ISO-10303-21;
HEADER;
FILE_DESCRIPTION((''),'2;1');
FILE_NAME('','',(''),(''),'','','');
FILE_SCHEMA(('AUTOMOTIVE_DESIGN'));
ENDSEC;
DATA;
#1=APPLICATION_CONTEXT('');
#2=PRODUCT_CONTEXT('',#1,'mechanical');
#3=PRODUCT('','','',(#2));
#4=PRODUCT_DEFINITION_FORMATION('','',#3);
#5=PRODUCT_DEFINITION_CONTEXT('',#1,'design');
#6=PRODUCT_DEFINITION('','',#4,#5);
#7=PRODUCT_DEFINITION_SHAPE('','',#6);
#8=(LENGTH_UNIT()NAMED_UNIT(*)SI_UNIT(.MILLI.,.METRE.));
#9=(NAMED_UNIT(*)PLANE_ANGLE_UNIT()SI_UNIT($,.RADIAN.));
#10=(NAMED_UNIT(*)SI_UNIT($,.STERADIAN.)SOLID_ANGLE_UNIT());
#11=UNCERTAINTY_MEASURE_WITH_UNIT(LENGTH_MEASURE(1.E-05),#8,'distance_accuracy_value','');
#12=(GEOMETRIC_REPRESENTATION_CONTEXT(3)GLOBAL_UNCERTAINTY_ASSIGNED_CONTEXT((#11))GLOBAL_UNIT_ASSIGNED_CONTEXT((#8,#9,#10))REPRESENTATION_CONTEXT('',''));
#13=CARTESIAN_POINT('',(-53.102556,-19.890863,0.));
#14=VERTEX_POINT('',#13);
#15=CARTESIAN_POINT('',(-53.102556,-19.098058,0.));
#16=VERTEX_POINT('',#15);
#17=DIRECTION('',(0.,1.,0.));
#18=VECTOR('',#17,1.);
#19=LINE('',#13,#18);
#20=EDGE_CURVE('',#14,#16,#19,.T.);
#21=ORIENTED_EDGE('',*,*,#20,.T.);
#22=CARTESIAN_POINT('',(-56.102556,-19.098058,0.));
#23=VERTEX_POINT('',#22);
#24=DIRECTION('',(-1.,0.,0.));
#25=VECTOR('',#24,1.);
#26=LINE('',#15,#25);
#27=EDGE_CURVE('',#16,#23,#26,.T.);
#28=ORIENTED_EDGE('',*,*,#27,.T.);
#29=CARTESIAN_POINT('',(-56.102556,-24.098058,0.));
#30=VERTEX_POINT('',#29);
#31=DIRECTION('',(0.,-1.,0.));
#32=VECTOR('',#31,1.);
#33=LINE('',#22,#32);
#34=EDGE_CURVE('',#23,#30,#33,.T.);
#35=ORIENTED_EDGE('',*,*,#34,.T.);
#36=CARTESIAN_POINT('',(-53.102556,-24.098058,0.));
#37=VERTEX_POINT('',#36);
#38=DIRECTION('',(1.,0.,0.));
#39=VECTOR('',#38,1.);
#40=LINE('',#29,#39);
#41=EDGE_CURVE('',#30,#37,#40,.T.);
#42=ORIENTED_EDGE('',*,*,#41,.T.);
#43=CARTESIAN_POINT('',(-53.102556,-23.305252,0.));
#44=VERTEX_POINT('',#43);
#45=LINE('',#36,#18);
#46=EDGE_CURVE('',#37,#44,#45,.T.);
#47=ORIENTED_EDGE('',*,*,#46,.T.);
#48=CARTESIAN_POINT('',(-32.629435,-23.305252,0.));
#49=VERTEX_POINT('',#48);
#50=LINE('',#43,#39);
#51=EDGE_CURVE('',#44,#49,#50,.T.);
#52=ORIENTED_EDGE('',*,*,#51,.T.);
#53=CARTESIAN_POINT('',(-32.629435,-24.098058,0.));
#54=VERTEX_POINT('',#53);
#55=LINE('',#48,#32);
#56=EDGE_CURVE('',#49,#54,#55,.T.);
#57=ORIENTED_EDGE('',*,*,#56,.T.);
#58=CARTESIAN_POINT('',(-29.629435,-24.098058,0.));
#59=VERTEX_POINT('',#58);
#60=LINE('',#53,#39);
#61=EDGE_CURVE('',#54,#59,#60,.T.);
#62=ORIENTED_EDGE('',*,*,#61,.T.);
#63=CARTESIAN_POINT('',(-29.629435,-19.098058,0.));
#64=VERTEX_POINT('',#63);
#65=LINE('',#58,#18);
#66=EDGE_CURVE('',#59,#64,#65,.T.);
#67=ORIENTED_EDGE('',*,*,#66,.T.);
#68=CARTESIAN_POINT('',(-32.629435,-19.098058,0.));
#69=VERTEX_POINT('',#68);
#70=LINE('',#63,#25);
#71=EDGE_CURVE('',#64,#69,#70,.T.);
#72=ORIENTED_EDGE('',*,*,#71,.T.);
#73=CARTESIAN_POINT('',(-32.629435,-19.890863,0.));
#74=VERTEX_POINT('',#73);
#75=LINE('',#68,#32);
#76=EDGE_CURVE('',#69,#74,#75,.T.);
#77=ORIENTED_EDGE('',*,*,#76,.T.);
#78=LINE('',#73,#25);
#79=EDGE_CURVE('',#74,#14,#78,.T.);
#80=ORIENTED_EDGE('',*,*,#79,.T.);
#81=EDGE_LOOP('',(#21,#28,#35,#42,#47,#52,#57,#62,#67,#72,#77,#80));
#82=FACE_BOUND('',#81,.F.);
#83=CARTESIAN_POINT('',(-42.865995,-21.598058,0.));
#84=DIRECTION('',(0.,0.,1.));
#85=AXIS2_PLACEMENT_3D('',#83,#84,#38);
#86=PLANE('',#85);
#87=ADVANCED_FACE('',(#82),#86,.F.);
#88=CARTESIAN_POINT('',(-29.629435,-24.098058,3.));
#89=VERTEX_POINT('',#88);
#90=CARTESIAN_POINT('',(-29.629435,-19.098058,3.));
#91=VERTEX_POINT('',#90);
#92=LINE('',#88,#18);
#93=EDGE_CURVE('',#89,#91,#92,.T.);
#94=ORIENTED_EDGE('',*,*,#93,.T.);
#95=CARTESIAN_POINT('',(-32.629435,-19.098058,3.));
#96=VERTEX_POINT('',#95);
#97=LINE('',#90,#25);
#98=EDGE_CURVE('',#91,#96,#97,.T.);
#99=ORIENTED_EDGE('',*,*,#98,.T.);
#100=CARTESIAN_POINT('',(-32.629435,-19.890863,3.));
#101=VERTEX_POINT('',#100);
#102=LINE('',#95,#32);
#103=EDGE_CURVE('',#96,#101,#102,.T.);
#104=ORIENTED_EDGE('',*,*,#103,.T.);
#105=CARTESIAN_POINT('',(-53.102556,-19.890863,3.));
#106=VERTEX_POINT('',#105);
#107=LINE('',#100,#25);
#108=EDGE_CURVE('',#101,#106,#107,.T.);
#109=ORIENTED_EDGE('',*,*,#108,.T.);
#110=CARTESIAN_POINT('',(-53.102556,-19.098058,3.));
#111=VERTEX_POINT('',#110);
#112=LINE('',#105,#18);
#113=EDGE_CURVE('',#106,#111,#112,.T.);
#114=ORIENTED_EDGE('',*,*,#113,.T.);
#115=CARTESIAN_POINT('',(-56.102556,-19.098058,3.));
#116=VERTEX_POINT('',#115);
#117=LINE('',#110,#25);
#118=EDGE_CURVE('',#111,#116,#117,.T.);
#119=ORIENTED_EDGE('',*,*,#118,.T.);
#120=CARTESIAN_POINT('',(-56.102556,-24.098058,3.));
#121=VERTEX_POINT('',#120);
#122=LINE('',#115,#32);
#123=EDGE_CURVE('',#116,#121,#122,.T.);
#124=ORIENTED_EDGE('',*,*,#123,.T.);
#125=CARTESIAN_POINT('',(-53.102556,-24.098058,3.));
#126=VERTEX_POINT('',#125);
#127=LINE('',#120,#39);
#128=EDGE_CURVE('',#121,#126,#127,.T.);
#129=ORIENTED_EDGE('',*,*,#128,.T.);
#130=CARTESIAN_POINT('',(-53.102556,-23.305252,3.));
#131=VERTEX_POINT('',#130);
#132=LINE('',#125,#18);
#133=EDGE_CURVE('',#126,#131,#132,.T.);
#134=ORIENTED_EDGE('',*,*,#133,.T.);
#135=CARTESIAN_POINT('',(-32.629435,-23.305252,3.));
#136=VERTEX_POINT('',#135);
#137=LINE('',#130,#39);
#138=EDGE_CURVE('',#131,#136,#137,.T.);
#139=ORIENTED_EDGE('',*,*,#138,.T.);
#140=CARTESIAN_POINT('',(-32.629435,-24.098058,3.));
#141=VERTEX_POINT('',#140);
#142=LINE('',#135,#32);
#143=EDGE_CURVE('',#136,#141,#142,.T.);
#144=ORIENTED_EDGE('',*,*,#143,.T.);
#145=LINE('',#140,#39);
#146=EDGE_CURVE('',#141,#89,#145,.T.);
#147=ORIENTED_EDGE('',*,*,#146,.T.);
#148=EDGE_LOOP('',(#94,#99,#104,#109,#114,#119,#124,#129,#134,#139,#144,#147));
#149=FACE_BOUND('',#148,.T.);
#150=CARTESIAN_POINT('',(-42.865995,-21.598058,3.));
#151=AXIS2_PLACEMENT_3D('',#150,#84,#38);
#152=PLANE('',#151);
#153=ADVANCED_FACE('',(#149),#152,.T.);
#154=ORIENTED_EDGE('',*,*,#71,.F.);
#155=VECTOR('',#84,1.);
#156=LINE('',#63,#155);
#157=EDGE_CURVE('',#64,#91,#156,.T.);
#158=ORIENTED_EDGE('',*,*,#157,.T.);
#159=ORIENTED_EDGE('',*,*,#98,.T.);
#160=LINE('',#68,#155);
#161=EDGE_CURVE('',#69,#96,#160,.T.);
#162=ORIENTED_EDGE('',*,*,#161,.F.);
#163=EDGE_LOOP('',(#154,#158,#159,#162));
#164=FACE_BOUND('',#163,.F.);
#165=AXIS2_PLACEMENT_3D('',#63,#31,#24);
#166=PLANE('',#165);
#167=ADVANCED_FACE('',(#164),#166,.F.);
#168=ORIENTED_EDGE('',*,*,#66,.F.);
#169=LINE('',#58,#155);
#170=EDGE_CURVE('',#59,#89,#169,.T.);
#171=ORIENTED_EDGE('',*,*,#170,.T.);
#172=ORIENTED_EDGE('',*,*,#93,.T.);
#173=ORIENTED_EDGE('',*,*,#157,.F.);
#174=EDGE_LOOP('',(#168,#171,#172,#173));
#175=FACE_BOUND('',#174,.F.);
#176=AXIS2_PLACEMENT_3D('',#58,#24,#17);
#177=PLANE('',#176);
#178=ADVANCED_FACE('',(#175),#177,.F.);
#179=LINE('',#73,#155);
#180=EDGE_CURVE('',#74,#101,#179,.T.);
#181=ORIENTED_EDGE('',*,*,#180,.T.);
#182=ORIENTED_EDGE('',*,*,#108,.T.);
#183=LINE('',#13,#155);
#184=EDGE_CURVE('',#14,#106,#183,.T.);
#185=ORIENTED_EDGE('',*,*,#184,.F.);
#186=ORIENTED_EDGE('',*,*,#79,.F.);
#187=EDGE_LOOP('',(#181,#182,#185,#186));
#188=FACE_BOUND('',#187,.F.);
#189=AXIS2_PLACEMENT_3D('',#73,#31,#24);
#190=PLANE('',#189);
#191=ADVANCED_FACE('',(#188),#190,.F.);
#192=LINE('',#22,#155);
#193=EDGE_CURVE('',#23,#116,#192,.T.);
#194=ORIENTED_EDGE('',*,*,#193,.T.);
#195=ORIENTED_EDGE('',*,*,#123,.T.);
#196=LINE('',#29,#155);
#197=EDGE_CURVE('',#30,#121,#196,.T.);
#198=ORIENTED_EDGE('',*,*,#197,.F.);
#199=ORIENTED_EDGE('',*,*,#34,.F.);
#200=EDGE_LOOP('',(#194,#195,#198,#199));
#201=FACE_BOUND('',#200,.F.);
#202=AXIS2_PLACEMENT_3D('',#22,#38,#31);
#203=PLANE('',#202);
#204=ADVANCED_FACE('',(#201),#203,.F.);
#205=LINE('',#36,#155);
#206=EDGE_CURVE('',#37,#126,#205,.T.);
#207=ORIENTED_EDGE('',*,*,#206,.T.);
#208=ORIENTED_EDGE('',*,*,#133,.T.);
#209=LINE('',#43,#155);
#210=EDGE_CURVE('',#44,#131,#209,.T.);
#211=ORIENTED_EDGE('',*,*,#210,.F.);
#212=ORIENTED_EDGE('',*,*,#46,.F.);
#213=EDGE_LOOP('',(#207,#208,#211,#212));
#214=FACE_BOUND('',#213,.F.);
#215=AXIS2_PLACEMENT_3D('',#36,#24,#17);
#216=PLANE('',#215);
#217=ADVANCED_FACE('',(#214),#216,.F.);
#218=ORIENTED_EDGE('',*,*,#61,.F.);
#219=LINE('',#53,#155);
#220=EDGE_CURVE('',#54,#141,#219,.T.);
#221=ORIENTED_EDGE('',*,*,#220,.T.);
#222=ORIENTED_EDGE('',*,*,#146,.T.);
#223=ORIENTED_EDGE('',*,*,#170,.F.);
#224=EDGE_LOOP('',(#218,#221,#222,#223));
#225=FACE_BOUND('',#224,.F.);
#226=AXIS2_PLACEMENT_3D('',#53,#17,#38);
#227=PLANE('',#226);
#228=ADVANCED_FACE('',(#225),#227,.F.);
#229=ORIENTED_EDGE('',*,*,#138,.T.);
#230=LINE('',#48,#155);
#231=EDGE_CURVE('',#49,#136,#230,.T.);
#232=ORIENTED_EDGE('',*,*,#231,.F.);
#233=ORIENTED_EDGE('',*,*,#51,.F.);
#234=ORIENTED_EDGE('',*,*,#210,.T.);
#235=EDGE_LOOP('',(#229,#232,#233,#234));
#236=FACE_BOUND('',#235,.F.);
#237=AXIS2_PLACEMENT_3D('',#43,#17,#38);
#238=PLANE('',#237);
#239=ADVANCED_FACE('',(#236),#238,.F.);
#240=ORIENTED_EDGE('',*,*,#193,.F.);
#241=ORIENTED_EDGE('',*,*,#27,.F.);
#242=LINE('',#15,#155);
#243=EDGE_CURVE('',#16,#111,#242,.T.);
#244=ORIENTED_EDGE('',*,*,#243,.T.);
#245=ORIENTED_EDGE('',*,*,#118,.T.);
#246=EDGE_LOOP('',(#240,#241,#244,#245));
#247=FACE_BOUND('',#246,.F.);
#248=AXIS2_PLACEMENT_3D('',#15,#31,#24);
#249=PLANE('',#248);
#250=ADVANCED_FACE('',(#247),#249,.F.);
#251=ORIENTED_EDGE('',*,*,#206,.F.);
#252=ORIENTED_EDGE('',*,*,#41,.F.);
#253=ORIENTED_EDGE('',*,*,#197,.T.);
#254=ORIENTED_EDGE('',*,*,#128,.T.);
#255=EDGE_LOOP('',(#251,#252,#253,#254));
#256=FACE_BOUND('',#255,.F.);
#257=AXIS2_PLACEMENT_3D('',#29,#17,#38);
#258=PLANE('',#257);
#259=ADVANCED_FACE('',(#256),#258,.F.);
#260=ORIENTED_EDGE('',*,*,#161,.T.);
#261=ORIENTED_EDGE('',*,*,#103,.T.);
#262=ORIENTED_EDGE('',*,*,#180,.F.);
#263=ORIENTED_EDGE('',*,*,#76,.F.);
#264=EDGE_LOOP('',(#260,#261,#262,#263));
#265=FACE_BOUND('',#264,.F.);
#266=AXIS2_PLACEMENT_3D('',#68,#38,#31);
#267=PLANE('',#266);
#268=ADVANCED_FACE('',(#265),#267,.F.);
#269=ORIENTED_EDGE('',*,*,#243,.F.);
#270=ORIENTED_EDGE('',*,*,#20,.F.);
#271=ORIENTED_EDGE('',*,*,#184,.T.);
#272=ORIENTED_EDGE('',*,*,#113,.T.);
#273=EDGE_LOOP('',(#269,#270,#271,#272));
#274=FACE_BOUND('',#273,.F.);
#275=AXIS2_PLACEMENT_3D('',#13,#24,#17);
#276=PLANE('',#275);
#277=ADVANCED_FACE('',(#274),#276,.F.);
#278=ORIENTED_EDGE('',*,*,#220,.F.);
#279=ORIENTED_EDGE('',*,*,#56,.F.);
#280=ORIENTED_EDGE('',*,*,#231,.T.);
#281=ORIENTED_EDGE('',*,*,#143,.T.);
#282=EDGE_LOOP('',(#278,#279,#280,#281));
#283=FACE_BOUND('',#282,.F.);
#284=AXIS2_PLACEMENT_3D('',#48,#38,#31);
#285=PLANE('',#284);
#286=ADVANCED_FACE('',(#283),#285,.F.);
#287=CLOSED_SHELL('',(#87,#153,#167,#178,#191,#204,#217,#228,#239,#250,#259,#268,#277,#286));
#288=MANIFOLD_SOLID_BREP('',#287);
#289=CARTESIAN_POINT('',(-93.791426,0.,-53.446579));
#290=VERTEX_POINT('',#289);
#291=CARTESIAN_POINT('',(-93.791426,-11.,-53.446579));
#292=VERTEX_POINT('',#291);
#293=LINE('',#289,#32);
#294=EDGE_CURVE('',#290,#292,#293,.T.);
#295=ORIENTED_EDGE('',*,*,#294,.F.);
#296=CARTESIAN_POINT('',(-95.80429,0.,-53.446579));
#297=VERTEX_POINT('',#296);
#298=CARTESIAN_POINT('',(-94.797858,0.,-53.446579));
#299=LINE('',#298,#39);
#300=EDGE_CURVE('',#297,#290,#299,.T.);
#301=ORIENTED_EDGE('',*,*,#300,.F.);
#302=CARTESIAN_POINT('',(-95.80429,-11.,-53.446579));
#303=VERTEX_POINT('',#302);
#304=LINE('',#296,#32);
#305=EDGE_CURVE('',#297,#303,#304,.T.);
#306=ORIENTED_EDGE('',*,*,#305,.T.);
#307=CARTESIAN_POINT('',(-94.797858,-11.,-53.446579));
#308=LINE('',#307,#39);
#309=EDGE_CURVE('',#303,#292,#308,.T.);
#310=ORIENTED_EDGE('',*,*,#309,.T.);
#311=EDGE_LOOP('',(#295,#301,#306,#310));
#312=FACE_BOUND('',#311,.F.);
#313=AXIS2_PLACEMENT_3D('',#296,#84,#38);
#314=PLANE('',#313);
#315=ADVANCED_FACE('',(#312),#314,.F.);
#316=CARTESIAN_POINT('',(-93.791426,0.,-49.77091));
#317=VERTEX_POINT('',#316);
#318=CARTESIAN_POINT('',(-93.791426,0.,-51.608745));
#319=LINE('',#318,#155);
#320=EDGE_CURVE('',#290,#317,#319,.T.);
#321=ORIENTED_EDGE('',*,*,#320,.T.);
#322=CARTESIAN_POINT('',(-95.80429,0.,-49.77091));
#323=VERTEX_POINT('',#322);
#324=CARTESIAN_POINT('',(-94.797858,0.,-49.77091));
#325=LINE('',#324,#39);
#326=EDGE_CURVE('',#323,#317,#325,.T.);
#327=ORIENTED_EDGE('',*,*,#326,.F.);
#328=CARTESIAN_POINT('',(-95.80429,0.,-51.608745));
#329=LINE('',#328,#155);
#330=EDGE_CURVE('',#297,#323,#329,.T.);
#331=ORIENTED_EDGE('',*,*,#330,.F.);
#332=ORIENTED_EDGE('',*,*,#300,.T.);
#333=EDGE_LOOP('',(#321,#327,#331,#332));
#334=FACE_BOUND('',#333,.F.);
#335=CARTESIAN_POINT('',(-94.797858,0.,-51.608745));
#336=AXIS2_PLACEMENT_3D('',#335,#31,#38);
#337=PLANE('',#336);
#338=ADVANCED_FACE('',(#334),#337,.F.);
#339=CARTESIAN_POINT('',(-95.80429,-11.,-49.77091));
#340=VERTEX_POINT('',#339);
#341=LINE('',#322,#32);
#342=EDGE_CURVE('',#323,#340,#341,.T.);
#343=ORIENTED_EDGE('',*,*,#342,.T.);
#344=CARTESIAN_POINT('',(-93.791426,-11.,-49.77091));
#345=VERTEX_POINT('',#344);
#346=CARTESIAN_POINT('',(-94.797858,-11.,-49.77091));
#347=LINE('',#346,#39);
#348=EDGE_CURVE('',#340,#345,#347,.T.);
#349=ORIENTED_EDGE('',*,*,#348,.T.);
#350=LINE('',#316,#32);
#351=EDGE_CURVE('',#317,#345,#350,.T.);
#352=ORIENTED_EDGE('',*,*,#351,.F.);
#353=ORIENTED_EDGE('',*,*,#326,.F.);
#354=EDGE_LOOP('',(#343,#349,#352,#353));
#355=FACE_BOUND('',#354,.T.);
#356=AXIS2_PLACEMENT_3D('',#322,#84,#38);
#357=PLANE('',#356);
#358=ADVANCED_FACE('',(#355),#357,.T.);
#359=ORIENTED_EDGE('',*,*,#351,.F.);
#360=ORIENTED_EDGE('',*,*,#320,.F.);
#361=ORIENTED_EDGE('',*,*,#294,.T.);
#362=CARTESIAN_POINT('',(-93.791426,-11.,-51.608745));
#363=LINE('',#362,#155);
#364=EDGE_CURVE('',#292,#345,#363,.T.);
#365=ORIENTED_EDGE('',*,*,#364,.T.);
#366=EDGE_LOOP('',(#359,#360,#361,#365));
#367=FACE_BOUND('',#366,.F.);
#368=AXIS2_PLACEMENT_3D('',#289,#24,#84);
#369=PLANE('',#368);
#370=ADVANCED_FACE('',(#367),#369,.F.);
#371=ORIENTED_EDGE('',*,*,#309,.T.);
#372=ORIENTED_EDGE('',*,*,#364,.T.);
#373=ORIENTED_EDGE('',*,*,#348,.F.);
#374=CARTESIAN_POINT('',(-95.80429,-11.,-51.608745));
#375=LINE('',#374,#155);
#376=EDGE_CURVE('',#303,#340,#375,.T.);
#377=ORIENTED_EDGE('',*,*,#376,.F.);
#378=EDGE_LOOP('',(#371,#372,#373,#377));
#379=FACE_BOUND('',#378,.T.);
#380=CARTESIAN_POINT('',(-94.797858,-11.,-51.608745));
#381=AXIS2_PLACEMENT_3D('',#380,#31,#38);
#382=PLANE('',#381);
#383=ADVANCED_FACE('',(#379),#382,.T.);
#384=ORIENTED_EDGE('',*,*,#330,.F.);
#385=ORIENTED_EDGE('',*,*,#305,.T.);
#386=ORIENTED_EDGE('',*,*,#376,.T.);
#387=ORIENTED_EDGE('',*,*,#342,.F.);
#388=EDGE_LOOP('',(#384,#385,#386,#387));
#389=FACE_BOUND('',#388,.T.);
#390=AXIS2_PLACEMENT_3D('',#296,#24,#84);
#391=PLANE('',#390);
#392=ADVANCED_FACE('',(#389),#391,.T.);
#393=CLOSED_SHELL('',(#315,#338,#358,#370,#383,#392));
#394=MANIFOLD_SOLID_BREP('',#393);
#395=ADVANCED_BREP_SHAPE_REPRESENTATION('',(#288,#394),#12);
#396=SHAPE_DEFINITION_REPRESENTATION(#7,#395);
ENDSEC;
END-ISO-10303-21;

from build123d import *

# Parameters (mm, degrees)
F0_W     = 2.012864
F0_H     = 3.675669
F1_DEPTH = 11
F3_DEPTH = 3


with BuildPart() as f1:
    # F0 (on Front) → F1 (new body)
    with BuildSketch(Plane.XZ):
        with Locations((-94.797858, -51.608745)):
            Rectangle(F0_W, F0_H)
    extrude(amount=F1_DEPTH)


with BuildPart() as f3:
    # F2 (on Top) → F3 (new body)
    with BuildSketch(Plane.XY):
        Polygon((-53.102556, -23.305252), (-32.629435, -23.305252), (-32.629435, -24.098058), (-29.629435, -24.098058), (-29.629435, -19.098058), (-32.629435, -19.098058), (-32.629435, -19.890863), (-53.102556, -19.890863), (-53.102556, -19.098058), (-56.102556, -19.098058), (-56.102556, -24.098058), (-53.102556, -24.098058), align=None)
    extrude(amount=F3_DEPTH)


solid = Compound([f1.part, f3.part])
